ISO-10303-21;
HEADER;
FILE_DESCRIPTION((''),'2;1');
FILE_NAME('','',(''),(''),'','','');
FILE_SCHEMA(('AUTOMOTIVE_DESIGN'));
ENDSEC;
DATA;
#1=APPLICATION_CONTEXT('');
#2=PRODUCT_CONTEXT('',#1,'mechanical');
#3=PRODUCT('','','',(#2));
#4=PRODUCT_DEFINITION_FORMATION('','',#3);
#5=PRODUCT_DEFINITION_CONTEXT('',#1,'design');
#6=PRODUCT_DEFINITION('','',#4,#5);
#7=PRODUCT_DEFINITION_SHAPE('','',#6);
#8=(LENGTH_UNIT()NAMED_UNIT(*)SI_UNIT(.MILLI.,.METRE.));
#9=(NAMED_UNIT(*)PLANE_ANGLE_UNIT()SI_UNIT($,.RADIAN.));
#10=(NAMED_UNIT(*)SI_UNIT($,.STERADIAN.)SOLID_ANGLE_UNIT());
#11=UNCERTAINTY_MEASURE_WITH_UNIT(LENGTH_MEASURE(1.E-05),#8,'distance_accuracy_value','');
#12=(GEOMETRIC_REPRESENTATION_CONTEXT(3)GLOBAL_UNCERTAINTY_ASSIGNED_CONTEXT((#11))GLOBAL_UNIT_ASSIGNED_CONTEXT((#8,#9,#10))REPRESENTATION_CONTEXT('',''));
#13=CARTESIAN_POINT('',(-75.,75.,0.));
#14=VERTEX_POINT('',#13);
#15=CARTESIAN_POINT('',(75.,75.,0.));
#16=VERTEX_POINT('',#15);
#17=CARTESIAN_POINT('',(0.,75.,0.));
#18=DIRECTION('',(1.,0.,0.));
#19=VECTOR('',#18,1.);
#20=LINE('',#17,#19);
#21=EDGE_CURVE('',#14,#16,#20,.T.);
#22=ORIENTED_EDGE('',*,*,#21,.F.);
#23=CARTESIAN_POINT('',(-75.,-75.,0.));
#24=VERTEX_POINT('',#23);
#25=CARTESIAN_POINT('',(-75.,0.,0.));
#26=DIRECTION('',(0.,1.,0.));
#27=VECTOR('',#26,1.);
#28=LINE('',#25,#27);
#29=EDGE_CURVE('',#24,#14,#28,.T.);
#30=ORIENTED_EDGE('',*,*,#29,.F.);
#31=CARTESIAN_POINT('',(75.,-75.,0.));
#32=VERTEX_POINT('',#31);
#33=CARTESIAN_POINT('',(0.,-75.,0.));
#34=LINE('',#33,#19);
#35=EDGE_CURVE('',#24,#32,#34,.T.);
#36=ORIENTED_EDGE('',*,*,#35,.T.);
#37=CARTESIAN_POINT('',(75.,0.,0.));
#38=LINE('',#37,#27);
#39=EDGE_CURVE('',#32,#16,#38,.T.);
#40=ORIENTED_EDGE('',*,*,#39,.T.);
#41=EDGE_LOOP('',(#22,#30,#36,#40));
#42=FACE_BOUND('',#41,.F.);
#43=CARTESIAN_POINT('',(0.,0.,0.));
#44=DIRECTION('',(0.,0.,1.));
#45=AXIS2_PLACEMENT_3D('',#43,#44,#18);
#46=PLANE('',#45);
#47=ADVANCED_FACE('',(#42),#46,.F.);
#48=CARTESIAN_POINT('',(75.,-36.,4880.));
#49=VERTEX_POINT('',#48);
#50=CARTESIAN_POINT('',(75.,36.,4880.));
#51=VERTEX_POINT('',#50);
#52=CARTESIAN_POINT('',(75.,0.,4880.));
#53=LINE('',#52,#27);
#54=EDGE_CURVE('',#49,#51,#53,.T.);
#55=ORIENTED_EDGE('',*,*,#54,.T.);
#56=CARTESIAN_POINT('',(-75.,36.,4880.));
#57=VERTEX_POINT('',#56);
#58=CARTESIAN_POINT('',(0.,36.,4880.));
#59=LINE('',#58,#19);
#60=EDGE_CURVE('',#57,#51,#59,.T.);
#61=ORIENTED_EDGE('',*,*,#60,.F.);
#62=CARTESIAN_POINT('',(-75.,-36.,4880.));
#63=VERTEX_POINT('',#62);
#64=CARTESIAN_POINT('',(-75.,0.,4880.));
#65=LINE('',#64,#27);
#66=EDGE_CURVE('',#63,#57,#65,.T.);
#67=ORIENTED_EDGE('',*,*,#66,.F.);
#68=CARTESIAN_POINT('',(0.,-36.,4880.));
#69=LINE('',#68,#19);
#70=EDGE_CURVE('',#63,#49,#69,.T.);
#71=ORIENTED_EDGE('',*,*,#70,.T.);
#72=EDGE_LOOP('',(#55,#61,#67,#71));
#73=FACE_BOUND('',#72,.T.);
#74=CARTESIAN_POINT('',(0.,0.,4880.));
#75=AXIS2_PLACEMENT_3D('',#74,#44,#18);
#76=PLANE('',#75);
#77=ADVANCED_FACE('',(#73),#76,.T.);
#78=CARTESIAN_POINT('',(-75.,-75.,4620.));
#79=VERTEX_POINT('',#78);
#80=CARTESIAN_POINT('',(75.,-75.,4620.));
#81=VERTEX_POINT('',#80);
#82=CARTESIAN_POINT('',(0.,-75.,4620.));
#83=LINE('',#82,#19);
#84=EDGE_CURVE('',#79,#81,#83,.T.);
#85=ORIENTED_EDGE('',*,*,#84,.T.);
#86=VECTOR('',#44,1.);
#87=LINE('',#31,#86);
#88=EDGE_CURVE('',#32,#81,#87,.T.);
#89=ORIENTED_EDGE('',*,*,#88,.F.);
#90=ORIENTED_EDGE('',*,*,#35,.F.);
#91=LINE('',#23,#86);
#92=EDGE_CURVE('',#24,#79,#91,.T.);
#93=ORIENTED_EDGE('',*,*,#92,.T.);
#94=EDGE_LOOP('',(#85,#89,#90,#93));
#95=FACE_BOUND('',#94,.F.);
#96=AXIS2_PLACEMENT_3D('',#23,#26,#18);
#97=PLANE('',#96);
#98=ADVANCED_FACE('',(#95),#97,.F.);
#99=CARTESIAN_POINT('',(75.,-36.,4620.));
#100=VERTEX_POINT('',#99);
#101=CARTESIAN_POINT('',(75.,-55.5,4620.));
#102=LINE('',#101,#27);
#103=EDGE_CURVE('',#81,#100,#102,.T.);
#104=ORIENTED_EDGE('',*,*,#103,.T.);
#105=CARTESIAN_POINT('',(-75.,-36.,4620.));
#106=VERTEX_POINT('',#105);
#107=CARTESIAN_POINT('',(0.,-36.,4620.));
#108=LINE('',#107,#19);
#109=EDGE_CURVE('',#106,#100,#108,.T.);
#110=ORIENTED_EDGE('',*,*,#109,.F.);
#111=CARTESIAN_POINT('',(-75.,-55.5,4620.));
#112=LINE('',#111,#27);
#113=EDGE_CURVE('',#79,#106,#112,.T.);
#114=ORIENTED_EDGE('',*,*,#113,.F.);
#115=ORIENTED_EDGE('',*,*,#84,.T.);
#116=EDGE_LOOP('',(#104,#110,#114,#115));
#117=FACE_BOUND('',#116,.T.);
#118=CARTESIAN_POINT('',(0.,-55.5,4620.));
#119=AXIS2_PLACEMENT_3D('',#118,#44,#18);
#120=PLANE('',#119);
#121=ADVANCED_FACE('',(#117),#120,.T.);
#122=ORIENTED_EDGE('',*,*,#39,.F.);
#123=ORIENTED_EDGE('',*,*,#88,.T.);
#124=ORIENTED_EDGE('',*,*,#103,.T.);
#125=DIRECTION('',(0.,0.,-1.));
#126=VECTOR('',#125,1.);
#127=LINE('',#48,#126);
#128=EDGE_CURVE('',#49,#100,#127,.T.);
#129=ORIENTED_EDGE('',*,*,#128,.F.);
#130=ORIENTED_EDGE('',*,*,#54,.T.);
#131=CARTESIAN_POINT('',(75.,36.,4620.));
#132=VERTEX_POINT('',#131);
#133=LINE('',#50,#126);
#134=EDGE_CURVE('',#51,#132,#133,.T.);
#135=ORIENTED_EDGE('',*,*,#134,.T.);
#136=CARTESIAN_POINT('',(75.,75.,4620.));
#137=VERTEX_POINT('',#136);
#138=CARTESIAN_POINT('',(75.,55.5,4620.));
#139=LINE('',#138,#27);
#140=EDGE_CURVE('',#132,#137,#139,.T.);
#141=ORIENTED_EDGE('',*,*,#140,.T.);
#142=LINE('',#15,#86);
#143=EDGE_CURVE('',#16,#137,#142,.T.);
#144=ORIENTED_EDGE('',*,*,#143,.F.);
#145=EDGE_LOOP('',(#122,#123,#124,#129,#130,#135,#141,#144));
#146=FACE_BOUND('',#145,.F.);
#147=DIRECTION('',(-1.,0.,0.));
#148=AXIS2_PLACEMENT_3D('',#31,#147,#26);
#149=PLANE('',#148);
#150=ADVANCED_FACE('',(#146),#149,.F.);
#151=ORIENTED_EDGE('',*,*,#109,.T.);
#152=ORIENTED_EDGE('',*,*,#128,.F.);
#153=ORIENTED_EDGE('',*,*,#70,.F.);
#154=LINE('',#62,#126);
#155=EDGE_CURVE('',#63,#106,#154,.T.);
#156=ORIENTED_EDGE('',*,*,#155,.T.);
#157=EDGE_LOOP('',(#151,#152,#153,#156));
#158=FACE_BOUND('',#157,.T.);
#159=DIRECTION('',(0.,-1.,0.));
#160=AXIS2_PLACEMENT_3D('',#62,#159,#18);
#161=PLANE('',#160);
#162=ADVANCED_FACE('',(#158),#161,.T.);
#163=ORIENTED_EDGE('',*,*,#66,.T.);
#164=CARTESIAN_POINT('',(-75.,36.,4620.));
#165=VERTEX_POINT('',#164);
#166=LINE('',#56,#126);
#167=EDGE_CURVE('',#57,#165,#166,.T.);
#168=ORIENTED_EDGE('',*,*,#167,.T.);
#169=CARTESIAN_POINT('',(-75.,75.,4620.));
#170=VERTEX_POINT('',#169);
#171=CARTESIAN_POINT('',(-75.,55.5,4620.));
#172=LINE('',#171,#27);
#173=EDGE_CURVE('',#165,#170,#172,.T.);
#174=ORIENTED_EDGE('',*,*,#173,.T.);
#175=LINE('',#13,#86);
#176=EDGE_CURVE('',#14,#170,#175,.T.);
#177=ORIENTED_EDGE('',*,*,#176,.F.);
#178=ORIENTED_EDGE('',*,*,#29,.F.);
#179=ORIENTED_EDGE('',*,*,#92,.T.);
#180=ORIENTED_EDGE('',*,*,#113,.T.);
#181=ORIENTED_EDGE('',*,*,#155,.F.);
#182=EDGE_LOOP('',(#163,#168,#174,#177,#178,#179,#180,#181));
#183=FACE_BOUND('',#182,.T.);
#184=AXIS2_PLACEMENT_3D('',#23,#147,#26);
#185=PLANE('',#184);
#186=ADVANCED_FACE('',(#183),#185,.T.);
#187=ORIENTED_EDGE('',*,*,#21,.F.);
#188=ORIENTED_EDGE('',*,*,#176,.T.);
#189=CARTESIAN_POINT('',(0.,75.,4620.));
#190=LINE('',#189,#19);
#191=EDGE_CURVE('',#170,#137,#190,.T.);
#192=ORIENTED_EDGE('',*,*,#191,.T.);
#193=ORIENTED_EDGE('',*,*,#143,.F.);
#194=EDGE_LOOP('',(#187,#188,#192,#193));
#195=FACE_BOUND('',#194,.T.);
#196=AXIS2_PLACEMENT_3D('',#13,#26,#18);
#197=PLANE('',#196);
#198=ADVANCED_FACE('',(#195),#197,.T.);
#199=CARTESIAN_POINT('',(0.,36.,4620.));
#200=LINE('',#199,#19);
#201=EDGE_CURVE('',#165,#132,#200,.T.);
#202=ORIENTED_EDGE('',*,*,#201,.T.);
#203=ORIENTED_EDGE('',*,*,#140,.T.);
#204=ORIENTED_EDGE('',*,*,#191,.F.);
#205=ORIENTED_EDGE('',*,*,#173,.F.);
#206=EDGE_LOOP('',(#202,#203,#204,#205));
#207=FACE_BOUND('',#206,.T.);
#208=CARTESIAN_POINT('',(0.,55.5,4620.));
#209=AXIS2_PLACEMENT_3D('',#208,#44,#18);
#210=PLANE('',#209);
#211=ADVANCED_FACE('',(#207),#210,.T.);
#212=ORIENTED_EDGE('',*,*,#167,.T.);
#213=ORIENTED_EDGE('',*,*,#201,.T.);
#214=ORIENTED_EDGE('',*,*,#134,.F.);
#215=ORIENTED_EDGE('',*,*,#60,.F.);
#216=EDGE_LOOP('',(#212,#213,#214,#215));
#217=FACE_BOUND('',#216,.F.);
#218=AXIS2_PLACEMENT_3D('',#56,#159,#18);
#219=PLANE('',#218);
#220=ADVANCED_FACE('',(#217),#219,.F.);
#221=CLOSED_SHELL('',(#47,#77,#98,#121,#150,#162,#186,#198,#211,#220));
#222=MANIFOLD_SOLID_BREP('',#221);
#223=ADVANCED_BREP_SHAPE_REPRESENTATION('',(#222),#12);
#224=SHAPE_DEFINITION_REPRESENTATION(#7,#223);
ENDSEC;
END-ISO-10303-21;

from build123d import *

# Parameters (mm, degrees)
F0_W     = 150
F0_H     = 150
F1_DEPTH = 4880
F2_W     = 150
F2_H     = 39
F3_DEPTH = 260
F4_DEPTH = 260


with BuildPart() as f1:
    # F0 (on Top) → F1 (new body)
    with BuildSketch(Plane.XY):
        Rectangle(F0_W, F0_H)
    extrude(amount=F1_DEPTH)

    # F2 (on face) → F3 (cut)
    with BuildSketch(Plane.XY.offset(4880)):
        with Locations((0, 55.5)):
            Rectangle(F2_W, F2_H)
        with Locations((0, -55.5)):
            Rectangle(F2_W, F2_H)
    extrude(amount=-F3_DEPTH, mode=Mode.SUBTRACT)

    # F2 (on face) → F4 (cut)
    with BuildSketch(Plane.XY.offset(4880)):
        with Locations((0, 55.5)):
            Rectangle(F2_W, F2_H)
    extrude(amount=-F4_DEPTH, mode=Mode.SUBTRACT)


solid = f1.part
